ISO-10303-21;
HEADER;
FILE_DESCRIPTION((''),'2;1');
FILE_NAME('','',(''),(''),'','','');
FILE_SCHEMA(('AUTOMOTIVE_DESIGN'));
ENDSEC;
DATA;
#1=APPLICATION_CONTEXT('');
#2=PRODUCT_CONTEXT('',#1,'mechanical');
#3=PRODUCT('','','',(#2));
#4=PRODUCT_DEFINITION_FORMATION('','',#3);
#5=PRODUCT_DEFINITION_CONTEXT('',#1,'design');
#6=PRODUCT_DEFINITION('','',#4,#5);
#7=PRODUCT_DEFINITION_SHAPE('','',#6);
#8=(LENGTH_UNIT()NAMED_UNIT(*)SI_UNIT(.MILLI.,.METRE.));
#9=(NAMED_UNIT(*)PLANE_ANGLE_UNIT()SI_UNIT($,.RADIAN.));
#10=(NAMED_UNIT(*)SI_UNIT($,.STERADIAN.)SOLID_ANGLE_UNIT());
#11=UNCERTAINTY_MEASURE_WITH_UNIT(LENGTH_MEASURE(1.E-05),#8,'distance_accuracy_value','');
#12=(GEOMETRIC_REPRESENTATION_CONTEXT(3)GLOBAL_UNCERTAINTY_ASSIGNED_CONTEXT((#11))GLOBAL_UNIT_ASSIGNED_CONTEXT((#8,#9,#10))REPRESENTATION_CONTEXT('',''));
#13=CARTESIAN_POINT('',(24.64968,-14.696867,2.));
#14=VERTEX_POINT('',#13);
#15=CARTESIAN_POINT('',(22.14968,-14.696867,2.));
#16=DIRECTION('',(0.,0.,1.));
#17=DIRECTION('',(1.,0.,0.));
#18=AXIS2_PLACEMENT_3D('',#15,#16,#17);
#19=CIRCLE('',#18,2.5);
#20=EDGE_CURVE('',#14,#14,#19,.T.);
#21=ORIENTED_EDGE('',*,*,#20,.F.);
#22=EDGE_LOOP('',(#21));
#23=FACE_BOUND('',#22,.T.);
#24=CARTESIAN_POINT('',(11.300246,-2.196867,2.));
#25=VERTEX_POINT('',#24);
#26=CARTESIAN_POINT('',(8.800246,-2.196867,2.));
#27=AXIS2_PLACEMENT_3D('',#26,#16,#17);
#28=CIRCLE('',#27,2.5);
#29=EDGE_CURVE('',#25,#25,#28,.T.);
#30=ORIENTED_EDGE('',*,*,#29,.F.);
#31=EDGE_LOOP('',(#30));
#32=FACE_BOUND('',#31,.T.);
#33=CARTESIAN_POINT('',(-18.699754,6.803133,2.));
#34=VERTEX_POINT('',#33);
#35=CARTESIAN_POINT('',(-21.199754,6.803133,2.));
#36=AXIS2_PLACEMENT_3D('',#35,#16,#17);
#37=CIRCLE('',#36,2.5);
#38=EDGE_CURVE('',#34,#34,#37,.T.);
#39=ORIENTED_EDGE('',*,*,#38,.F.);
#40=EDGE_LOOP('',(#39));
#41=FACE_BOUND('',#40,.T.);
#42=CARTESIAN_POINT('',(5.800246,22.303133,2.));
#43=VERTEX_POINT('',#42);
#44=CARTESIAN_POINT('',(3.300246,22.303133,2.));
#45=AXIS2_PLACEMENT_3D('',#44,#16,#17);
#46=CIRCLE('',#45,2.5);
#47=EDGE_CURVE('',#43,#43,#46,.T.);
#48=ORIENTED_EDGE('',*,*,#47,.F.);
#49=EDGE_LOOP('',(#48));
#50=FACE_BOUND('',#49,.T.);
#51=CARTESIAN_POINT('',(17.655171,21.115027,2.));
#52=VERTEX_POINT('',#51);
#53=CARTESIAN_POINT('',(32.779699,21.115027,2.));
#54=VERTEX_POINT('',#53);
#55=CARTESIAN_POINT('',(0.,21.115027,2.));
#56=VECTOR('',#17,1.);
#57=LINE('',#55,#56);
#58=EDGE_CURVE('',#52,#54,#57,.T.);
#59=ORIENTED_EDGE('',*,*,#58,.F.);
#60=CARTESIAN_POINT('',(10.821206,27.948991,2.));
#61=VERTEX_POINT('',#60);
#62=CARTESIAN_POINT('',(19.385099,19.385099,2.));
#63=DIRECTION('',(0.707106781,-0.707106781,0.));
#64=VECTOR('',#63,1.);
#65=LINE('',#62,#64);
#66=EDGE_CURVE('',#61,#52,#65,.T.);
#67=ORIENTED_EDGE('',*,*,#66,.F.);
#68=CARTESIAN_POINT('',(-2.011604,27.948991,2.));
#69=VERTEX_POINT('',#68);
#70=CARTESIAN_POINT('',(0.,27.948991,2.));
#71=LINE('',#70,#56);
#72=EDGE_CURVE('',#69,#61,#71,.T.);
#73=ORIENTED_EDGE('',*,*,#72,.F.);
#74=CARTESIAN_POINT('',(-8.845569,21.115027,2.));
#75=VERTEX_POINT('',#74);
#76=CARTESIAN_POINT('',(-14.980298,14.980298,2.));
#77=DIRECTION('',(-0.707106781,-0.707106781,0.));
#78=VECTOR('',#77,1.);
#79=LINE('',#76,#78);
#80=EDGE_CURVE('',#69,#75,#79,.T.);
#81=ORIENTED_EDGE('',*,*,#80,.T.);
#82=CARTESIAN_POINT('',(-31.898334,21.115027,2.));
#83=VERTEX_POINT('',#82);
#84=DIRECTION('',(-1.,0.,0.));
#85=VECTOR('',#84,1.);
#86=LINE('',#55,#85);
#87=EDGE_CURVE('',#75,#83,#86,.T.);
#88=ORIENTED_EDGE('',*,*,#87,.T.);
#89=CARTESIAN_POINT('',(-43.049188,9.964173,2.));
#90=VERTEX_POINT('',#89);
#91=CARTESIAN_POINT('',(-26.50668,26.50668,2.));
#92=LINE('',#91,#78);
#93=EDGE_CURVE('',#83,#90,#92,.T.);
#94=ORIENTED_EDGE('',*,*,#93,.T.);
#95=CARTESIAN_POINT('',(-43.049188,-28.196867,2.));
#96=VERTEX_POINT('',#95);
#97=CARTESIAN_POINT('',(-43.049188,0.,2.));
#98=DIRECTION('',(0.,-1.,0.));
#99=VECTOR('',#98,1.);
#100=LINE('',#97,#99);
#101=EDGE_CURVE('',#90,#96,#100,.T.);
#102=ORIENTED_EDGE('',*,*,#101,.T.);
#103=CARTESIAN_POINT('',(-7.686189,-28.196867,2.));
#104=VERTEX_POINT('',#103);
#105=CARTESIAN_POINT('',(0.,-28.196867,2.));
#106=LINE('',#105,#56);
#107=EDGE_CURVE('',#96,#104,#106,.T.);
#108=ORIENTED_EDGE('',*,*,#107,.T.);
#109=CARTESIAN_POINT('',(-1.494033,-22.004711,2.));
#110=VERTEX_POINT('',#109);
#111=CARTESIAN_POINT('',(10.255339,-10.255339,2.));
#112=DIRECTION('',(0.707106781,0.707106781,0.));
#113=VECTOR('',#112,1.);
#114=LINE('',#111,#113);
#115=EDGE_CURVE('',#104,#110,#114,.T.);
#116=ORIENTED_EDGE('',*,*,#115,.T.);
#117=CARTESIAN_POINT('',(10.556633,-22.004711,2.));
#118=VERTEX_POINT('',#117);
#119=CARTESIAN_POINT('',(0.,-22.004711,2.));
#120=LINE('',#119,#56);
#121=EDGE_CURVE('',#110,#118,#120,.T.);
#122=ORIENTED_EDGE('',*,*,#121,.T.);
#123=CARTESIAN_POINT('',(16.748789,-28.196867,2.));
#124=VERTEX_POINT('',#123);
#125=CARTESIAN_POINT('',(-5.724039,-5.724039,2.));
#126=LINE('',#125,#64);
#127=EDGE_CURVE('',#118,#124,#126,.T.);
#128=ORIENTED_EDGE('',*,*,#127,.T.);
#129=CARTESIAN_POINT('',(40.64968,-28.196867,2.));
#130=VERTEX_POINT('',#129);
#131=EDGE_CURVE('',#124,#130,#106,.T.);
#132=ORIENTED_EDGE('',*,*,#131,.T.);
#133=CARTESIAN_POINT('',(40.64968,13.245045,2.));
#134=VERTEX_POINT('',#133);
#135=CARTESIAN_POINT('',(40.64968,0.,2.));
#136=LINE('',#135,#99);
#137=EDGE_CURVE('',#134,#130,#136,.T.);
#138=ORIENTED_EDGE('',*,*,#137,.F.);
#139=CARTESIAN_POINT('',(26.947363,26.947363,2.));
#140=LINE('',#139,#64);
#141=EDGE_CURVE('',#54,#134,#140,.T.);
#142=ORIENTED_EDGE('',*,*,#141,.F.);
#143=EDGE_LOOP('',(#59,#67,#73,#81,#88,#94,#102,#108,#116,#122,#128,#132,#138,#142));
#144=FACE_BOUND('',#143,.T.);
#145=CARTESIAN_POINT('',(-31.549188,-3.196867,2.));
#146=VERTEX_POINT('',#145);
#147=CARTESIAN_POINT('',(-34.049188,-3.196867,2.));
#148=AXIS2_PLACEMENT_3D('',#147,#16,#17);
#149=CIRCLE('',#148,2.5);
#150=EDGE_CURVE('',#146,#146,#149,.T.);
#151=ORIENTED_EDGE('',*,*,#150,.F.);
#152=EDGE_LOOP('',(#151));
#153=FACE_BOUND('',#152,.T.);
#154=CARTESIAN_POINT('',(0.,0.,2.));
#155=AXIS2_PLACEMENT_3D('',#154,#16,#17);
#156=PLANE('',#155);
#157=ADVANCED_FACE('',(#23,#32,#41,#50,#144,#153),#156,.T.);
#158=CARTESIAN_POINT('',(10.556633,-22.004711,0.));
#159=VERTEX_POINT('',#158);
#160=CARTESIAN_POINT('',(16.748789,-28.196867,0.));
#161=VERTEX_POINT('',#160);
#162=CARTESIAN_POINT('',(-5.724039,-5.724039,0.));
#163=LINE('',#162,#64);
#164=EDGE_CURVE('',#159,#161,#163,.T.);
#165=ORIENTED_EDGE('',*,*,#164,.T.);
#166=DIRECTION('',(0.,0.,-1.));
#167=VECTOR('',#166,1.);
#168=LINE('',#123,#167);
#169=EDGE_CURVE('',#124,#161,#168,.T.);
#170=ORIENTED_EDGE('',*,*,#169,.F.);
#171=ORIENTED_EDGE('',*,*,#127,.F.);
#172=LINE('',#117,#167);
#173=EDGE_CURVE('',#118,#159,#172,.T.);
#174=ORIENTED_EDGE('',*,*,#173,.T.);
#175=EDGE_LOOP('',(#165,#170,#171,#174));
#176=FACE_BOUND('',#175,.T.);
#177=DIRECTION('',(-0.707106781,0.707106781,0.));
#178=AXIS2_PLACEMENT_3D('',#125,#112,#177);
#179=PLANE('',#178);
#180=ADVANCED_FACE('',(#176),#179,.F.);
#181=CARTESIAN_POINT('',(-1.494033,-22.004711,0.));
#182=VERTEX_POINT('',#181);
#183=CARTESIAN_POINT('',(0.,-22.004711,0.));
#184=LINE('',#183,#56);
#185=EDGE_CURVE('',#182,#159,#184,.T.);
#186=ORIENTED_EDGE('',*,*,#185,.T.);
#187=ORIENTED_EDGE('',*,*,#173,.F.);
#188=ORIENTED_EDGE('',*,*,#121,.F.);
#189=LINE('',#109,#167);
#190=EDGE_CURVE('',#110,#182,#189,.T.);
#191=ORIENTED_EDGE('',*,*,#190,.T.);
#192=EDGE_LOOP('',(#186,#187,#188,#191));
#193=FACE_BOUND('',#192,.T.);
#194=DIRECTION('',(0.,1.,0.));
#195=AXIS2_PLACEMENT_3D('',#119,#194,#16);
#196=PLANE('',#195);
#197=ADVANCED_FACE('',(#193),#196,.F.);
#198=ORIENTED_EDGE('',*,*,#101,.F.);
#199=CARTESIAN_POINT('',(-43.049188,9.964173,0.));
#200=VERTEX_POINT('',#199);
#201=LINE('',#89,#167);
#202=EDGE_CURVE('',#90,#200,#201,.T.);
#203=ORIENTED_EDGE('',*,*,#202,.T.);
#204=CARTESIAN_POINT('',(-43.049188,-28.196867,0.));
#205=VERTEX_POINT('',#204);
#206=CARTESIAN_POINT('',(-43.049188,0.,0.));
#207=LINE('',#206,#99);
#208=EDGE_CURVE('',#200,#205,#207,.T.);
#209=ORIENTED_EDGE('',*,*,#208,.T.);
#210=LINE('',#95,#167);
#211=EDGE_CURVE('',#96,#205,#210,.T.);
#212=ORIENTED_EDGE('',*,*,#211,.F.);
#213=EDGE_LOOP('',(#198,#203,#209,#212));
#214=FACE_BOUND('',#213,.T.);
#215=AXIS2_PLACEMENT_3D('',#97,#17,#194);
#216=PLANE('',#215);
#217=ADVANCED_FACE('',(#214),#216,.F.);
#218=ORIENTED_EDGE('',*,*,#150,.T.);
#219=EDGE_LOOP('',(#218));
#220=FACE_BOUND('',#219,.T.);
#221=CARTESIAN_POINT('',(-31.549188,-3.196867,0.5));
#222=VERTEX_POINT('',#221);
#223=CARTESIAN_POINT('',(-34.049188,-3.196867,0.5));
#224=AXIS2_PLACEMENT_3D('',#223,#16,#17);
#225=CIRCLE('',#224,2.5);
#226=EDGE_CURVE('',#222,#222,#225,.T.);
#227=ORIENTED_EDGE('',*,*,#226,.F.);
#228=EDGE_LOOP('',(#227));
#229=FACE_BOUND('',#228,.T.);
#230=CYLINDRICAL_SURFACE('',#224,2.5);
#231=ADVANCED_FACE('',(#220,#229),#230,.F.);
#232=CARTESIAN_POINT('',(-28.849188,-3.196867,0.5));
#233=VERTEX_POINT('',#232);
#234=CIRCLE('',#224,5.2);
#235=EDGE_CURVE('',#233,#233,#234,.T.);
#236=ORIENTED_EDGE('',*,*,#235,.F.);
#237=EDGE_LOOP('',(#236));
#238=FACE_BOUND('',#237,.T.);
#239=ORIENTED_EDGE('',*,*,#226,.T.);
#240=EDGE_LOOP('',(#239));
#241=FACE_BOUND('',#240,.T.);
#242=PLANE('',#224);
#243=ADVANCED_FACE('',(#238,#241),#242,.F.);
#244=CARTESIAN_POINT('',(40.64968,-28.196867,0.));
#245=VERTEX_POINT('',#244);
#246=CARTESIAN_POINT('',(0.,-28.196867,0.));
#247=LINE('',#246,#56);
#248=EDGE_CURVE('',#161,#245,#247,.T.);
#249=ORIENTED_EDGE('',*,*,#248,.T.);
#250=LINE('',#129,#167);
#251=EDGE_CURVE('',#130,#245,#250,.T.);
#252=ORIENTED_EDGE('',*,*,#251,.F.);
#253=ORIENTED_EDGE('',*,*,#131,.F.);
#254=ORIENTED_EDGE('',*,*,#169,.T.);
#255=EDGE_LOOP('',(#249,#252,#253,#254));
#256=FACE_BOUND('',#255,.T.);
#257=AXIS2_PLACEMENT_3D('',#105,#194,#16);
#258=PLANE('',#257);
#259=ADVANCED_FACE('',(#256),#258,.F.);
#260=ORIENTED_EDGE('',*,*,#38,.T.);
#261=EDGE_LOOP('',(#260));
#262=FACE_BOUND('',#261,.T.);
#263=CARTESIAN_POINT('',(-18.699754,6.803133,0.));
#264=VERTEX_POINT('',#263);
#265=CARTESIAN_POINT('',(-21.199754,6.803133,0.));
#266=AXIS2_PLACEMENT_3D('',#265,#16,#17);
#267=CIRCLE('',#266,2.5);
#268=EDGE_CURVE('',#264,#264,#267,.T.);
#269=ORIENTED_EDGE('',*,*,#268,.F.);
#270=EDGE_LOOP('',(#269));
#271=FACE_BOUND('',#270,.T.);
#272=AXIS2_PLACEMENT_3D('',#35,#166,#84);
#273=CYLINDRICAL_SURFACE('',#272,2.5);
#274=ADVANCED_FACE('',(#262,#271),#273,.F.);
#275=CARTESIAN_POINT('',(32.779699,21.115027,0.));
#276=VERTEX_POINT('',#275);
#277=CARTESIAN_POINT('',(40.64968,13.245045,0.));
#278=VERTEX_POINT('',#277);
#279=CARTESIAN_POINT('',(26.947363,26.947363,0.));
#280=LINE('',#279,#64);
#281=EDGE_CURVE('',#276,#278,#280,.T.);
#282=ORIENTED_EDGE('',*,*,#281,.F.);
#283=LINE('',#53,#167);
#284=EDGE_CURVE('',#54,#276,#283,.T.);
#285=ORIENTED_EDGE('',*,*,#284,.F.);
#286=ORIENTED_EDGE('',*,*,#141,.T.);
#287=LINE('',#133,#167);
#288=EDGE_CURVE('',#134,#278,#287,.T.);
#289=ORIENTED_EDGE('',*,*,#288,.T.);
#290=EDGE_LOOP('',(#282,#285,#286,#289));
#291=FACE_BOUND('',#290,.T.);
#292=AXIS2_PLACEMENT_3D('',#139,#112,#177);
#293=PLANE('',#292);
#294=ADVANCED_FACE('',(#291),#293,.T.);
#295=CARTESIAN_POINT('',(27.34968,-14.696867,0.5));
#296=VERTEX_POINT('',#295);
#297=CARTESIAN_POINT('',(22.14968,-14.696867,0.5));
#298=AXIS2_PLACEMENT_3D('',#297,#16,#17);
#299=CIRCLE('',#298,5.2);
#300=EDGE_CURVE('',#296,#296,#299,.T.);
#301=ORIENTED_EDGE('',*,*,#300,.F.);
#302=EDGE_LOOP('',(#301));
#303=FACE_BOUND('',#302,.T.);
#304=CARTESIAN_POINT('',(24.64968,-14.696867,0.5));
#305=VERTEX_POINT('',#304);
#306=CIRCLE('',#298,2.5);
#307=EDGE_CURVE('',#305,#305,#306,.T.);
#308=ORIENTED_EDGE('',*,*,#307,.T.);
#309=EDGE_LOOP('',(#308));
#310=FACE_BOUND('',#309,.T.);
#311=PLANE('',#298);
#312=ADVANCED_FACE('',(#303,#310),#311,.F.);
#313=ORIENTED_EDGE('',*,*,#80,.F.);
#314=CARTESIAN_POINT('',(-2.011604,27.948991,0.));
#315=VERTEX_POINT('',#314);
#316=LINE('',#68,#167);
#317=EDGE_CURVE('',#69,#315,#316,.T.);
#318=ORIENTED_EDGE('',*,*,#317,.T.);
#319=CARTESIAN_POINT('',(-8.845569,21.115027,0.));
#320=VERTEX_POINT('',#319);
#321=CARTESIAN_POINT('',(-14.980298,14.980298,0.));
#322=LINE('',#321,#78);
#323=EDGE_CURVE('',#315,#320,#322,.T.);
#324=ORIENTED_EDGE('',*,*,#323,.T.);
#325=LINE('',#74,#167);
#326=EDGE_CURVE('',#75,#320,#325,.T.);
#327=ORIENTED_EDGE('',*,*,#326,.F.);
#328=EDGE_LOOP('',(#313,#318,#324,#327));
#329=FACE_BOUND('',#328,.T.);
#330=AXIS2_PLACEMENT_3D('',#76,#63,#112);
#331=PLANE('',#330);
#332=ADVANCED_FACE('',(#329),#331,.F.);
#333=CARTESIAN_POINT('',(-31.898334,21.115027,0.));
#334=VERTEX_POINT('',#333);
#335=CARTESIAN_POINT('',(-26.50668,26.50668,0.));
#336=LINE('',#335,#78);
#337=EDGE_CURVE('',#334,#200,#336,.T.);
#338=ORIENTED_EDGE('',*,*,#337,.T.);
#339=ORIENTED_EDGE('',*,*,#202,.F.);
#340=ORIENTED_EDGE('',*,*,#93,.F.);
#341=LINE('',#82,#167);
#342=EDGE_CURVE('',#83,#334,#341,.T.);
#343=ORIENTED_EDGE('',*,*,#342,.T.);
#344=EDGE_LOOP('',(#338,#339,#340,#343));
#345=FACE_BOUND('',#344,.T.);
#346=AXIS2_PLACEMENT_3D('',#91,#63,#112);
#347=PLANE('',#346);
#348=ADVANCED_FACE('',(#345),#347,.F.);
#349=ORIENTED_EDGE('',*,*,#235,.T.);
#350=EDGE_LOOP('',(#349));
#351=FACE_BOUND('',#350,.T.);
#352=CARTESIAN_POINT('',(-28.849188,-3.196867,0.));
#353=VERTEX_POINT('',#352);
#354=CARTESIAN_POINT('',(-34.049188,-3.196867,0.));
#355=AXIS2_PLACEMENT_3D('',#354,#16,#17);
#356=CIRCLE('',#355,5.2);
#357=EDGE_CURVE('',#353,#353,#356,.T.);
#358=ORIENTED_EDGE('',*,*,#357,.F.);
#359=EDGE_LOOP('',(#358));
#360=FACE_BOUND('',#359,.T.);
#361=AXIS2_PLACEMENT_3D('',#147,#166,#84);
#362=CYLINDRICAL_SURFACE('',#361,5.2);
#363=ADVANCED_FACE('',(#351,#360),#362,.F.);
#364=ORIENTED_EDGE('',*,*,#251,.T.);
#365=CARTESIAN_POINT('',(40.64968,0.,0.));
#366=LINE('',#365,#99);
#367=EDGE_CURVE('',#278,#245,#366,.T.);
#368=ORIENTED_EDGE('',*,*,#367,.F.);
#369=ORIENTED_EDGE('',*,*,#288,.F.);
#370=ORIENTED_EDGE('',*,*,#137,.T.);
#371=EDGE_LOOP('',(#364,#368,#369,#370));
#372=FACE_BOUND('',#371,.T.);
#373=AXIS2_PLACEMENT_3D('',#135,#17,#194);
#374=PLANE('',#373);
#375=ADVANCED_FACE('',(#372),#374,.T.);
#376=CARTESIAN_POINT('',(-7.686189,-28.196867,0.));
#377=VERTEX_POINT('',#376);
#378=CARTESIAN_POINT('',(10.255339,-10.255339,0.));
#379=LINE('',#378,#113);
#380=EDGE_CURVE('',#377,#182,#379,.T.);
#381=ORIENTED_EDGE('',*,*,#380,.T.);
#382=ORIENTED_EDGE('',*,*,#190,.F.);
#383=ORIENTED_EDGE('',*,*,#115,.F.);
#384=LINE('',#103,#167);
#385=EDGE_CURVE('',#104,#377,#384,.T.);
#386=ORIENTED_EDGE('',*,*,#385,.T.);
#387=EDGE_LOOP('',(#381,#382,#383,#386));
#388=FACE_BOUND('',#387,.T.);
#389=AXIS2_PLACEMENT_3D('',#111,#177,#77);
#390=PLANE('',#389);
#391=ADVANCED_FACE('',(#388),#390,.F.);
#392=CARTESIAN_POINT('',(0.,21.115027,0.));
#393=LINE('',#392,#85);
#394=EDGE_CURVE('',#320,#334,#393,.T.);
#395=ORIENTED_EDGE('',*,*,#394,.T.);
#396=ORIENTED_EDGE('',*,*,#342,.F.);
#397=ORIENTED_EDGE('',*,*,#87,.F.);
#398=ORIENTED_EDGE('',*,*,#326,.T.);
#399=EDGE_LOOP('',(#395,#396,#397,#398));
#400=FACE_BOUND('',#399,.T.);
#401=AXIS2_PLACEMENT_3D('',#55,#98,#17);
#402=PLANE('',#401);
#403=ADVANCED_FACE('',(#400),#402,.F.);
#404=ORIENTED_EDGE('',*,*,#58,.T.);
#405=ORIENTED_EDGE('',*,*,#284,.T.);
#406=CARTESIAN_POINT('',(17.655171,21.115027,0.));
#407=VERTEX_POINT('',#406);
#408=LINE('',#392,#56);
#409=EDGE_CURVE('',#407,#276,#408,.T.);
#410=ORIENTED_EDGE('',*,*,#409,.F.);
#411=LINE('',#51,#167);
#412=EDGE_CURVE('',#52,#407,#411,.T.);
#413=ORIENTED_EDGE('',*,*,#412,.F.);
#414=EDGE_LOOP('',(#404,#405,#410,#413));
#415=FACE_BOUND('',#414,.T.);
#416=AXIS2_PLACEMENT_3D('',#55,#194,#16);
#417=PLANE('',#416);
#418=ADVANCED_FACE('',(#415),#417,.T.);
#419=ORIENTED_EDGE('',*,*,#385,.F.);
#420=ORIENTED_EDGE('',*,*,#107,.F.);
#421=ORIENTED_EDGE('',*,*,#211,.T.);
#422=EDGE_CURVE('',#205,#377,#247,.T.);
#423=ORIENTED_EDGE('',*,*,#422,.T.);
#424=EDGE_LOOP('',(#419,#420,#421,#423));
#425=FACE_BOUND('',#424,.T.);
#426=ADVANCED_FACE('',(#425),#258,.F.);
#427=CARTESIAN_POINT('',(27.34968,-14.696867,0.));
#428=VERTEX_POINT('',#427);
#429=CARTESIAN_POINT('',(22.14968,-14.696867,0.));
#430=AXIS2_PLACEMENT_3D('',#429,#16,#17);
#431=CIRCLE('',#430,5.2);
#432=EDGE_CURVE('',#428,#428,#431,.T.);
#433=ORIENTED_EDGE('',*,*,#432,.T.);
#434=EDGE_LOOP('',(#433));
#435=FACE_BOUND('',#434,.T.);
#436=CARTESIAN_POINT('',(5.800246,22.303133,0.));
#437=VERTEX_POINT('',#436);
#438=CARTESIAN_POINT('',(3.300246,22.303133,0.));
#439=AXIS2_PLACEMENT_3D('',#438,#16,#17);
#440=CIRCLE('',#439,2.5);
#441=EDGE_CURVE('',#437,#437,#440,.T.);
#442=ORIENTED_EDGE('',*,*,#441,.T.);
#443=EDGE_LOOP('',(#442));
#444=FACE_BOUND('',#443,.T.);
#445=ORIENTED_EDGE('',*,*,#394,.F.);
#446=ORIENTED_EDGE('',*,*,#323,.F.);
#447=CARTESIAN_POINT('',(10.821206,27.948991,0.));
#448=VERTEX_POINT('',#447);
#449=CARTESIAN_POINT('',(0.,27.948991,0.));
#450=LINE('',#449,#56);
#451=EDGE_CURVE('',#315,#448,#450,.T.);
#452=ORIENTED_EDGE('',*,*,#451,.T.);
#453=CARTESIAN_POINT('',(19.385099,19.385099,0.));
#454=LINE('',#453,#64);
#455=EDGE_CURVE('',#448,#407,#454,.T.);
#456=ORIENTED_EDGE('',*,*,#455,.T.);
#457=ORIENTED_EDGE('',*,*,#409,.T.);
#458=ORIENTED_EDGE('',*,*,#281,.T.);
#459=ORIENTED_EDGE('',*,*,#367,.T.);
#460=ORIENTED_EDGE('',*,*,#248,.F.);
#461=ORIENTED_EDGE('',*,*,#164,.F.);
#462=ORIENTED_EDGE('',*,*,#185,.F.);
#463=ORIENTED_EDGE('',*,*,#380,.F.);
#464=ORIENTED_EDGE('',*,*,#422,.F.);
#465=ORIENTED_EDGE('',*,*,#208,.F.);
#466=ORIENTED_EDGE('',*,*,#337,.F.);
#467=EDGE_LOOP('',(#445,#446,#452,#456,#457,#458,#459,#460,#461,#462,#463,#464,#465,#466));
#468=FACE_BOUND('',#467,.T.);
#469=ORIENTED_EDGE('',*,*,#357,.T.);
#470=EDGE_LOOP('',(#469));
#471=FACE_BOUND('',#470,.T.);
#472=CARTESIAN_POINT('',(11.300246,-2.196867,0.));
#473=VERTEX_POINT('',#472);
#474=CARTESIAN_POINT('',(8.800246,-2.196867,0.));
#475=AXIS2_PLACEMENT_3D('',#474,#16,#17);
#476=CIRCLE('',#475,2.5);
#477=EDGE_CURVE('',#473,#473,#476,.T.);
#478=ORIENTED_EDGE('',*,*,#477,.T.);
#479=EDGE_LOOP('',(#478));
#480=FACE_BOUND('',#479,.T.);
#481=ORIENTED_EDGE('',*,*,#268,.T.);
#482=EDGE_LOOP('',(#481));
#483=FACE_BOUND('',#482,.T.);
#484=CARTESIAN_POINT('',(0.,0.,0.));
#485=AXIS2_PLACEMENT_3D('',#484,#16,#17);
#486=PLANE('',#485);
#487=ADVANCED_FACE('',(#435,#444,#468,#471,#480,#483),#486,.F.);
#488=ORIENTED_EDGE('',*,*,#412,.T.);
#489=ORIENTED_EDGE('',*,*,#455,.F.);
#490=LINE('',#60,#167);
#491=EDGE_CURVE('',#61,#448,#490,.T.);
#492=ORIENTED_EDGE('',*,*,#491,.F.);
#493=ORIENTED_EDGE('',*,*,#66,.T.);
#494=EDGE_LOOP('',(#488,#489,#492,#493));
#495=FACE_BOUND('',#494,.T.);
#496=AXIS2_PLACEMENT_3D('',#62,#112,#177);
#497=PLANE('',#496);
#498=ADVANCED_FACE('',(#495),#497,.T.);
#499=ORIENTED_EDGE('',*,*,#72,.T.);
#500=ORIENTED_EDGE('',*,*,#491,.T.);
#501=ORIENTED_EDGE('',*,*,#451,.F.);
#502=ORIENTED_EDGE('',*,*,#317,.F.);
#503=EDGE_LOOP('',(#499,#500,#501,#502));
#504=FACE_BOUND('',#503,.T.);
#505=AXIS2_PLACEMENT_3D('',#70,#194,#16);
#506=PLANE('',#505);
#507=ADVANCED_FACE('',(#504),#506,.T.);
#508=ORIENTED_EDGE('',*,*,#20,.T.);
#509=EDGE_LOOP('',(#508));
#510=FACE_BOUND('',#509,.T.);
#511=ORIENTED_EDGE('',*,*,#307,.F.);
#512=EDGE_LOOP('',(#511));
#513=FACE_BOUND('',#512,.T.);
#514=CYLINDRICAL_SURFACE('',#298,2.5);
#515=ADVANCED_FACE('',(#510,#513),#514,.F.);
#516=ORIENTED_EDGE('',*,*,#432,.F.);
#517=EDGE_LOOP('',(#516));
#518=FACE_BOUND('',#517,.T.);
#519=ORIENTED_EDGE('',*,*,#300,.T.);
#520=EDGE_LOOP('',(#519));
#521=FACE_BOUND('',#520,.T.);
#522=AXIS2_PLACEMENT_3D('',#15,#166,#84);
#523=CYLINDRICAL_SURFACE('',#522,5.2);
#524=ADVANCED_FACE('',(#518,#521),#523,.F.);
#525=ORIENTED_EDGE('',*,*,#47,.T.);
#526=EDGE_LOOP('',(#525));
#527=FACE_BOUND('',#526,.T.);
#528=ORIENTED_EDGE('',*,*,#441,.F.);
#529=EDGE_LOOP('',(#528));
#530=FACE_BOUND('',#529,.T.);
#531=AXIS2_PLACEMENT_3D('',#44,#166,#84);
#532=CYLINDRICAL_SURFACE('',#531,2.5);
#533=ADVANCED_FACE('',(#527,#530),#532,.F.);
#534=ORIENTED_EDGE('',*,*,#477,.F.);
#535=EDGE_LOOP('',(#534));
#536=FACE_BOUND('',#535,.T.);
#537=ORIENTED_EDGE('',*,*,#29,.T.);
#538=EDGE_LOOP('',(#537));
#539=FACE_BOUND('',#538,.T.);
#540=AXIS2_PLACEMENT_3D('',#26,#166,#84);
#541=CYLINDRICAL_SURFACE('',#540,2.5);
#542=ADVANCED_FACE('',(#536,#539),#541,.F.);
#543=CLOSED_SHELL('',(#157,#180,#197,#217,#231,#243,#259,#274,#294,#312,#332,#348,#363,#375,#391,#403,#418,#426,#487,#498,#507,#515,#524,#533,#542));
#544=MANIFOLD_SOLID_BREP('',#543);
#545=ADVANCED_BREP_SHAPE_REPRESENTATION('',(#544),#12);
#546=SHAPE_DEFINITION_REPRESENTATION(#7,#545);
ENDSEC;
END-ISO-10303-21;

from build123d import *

# Parameters (mm, degrees)
SKETCH_1_R      = 5.2
SKETCH_1_R_2    = 2.5
EXTRUDE_1_DEPTH = 2
EXTRUDE_START   = -1.5
SKETCH_3_R      = 5.2
SKETCH_3_R_2    = 2.5
EXTRUDE_3_DEPTH = 1.5


with BuildPart() as part:
    # 스케치1 → 보스-돌출1 (new body)
    with BuildSketch(Plane.XY):
        Polygon((17.655171042, 21.115026673), (32.779698935, 21.115026673), (40.649680384, 13.245045225), (40.649680384, -28.196867314), (16.748789391, -28.196867314), (10.556633431, -22.004711354), (-1.494033315, -22.004711354), (-7.686189276, -28.196867314), (-43.049187557, -28.196867314), (-43.049187557, 9.964172757), (-31.898333641, 21.115026673), (-8.845568875, 21.115026673), (-2.011604239, 27.94899131), (10.821206405, 27.94899131), align=None)
        with Locations((22.149680384, -14.696867314)):
            Circle(SKETCH_1_R, mode=Mode.SUBTRACT)
        with Locations((-34.049187557, -3.196867314)):
            Circle(SKETCH_1_R, mode=Mode.SUBTRACT)
        with Locations((8.800246413, -2.196867314)):
            Circle(SKETCH_1_R_2, mode=Mode.SUBTRACT)
        with Locations((3.300246413, 22.303132686)):
            Circle(SKETCH_1_R_2, mode=Mode.SUBTRACT)
        with Locations((-21.199753587, 6.803132686)):
            Circle(SKETCH_1_R_2, mode=Mode.SUBTRACT)
    extrude(amount=EXTRUDE_1_DEPTH)

    # 스케치3 → 보스-돌출3 (add)
    # profile 1 of 2: a face of its own
    with BuildSketch(Plane.XY.offset(2).offset(EXTRUDE_START)):
        with Locations((-34.049187557, -3.196867314)):
            Circle(SKETCH_3_R)
        with Locations((-34.049187557, -3.196867314)):
            Circle(SKETCH_3_R_2, mode=Mode.SUBTRACT)
    # profile 2 of 2: a face of its own
    with BuildSketch(Plane.XY.offset(2).offset(EXTRUDE_START)):
        with Locations((22.149680384, -14.696867314)):
            Circle(SKETCH_3_R)
        with Locations((22.149680384, -14.696867314)):
            Circle(SKETCH_3_R_2, mode=Mode.SUBTRACT)
    extrude(amount=EXTRUDE_3_DEPTH)


solid = part.part
